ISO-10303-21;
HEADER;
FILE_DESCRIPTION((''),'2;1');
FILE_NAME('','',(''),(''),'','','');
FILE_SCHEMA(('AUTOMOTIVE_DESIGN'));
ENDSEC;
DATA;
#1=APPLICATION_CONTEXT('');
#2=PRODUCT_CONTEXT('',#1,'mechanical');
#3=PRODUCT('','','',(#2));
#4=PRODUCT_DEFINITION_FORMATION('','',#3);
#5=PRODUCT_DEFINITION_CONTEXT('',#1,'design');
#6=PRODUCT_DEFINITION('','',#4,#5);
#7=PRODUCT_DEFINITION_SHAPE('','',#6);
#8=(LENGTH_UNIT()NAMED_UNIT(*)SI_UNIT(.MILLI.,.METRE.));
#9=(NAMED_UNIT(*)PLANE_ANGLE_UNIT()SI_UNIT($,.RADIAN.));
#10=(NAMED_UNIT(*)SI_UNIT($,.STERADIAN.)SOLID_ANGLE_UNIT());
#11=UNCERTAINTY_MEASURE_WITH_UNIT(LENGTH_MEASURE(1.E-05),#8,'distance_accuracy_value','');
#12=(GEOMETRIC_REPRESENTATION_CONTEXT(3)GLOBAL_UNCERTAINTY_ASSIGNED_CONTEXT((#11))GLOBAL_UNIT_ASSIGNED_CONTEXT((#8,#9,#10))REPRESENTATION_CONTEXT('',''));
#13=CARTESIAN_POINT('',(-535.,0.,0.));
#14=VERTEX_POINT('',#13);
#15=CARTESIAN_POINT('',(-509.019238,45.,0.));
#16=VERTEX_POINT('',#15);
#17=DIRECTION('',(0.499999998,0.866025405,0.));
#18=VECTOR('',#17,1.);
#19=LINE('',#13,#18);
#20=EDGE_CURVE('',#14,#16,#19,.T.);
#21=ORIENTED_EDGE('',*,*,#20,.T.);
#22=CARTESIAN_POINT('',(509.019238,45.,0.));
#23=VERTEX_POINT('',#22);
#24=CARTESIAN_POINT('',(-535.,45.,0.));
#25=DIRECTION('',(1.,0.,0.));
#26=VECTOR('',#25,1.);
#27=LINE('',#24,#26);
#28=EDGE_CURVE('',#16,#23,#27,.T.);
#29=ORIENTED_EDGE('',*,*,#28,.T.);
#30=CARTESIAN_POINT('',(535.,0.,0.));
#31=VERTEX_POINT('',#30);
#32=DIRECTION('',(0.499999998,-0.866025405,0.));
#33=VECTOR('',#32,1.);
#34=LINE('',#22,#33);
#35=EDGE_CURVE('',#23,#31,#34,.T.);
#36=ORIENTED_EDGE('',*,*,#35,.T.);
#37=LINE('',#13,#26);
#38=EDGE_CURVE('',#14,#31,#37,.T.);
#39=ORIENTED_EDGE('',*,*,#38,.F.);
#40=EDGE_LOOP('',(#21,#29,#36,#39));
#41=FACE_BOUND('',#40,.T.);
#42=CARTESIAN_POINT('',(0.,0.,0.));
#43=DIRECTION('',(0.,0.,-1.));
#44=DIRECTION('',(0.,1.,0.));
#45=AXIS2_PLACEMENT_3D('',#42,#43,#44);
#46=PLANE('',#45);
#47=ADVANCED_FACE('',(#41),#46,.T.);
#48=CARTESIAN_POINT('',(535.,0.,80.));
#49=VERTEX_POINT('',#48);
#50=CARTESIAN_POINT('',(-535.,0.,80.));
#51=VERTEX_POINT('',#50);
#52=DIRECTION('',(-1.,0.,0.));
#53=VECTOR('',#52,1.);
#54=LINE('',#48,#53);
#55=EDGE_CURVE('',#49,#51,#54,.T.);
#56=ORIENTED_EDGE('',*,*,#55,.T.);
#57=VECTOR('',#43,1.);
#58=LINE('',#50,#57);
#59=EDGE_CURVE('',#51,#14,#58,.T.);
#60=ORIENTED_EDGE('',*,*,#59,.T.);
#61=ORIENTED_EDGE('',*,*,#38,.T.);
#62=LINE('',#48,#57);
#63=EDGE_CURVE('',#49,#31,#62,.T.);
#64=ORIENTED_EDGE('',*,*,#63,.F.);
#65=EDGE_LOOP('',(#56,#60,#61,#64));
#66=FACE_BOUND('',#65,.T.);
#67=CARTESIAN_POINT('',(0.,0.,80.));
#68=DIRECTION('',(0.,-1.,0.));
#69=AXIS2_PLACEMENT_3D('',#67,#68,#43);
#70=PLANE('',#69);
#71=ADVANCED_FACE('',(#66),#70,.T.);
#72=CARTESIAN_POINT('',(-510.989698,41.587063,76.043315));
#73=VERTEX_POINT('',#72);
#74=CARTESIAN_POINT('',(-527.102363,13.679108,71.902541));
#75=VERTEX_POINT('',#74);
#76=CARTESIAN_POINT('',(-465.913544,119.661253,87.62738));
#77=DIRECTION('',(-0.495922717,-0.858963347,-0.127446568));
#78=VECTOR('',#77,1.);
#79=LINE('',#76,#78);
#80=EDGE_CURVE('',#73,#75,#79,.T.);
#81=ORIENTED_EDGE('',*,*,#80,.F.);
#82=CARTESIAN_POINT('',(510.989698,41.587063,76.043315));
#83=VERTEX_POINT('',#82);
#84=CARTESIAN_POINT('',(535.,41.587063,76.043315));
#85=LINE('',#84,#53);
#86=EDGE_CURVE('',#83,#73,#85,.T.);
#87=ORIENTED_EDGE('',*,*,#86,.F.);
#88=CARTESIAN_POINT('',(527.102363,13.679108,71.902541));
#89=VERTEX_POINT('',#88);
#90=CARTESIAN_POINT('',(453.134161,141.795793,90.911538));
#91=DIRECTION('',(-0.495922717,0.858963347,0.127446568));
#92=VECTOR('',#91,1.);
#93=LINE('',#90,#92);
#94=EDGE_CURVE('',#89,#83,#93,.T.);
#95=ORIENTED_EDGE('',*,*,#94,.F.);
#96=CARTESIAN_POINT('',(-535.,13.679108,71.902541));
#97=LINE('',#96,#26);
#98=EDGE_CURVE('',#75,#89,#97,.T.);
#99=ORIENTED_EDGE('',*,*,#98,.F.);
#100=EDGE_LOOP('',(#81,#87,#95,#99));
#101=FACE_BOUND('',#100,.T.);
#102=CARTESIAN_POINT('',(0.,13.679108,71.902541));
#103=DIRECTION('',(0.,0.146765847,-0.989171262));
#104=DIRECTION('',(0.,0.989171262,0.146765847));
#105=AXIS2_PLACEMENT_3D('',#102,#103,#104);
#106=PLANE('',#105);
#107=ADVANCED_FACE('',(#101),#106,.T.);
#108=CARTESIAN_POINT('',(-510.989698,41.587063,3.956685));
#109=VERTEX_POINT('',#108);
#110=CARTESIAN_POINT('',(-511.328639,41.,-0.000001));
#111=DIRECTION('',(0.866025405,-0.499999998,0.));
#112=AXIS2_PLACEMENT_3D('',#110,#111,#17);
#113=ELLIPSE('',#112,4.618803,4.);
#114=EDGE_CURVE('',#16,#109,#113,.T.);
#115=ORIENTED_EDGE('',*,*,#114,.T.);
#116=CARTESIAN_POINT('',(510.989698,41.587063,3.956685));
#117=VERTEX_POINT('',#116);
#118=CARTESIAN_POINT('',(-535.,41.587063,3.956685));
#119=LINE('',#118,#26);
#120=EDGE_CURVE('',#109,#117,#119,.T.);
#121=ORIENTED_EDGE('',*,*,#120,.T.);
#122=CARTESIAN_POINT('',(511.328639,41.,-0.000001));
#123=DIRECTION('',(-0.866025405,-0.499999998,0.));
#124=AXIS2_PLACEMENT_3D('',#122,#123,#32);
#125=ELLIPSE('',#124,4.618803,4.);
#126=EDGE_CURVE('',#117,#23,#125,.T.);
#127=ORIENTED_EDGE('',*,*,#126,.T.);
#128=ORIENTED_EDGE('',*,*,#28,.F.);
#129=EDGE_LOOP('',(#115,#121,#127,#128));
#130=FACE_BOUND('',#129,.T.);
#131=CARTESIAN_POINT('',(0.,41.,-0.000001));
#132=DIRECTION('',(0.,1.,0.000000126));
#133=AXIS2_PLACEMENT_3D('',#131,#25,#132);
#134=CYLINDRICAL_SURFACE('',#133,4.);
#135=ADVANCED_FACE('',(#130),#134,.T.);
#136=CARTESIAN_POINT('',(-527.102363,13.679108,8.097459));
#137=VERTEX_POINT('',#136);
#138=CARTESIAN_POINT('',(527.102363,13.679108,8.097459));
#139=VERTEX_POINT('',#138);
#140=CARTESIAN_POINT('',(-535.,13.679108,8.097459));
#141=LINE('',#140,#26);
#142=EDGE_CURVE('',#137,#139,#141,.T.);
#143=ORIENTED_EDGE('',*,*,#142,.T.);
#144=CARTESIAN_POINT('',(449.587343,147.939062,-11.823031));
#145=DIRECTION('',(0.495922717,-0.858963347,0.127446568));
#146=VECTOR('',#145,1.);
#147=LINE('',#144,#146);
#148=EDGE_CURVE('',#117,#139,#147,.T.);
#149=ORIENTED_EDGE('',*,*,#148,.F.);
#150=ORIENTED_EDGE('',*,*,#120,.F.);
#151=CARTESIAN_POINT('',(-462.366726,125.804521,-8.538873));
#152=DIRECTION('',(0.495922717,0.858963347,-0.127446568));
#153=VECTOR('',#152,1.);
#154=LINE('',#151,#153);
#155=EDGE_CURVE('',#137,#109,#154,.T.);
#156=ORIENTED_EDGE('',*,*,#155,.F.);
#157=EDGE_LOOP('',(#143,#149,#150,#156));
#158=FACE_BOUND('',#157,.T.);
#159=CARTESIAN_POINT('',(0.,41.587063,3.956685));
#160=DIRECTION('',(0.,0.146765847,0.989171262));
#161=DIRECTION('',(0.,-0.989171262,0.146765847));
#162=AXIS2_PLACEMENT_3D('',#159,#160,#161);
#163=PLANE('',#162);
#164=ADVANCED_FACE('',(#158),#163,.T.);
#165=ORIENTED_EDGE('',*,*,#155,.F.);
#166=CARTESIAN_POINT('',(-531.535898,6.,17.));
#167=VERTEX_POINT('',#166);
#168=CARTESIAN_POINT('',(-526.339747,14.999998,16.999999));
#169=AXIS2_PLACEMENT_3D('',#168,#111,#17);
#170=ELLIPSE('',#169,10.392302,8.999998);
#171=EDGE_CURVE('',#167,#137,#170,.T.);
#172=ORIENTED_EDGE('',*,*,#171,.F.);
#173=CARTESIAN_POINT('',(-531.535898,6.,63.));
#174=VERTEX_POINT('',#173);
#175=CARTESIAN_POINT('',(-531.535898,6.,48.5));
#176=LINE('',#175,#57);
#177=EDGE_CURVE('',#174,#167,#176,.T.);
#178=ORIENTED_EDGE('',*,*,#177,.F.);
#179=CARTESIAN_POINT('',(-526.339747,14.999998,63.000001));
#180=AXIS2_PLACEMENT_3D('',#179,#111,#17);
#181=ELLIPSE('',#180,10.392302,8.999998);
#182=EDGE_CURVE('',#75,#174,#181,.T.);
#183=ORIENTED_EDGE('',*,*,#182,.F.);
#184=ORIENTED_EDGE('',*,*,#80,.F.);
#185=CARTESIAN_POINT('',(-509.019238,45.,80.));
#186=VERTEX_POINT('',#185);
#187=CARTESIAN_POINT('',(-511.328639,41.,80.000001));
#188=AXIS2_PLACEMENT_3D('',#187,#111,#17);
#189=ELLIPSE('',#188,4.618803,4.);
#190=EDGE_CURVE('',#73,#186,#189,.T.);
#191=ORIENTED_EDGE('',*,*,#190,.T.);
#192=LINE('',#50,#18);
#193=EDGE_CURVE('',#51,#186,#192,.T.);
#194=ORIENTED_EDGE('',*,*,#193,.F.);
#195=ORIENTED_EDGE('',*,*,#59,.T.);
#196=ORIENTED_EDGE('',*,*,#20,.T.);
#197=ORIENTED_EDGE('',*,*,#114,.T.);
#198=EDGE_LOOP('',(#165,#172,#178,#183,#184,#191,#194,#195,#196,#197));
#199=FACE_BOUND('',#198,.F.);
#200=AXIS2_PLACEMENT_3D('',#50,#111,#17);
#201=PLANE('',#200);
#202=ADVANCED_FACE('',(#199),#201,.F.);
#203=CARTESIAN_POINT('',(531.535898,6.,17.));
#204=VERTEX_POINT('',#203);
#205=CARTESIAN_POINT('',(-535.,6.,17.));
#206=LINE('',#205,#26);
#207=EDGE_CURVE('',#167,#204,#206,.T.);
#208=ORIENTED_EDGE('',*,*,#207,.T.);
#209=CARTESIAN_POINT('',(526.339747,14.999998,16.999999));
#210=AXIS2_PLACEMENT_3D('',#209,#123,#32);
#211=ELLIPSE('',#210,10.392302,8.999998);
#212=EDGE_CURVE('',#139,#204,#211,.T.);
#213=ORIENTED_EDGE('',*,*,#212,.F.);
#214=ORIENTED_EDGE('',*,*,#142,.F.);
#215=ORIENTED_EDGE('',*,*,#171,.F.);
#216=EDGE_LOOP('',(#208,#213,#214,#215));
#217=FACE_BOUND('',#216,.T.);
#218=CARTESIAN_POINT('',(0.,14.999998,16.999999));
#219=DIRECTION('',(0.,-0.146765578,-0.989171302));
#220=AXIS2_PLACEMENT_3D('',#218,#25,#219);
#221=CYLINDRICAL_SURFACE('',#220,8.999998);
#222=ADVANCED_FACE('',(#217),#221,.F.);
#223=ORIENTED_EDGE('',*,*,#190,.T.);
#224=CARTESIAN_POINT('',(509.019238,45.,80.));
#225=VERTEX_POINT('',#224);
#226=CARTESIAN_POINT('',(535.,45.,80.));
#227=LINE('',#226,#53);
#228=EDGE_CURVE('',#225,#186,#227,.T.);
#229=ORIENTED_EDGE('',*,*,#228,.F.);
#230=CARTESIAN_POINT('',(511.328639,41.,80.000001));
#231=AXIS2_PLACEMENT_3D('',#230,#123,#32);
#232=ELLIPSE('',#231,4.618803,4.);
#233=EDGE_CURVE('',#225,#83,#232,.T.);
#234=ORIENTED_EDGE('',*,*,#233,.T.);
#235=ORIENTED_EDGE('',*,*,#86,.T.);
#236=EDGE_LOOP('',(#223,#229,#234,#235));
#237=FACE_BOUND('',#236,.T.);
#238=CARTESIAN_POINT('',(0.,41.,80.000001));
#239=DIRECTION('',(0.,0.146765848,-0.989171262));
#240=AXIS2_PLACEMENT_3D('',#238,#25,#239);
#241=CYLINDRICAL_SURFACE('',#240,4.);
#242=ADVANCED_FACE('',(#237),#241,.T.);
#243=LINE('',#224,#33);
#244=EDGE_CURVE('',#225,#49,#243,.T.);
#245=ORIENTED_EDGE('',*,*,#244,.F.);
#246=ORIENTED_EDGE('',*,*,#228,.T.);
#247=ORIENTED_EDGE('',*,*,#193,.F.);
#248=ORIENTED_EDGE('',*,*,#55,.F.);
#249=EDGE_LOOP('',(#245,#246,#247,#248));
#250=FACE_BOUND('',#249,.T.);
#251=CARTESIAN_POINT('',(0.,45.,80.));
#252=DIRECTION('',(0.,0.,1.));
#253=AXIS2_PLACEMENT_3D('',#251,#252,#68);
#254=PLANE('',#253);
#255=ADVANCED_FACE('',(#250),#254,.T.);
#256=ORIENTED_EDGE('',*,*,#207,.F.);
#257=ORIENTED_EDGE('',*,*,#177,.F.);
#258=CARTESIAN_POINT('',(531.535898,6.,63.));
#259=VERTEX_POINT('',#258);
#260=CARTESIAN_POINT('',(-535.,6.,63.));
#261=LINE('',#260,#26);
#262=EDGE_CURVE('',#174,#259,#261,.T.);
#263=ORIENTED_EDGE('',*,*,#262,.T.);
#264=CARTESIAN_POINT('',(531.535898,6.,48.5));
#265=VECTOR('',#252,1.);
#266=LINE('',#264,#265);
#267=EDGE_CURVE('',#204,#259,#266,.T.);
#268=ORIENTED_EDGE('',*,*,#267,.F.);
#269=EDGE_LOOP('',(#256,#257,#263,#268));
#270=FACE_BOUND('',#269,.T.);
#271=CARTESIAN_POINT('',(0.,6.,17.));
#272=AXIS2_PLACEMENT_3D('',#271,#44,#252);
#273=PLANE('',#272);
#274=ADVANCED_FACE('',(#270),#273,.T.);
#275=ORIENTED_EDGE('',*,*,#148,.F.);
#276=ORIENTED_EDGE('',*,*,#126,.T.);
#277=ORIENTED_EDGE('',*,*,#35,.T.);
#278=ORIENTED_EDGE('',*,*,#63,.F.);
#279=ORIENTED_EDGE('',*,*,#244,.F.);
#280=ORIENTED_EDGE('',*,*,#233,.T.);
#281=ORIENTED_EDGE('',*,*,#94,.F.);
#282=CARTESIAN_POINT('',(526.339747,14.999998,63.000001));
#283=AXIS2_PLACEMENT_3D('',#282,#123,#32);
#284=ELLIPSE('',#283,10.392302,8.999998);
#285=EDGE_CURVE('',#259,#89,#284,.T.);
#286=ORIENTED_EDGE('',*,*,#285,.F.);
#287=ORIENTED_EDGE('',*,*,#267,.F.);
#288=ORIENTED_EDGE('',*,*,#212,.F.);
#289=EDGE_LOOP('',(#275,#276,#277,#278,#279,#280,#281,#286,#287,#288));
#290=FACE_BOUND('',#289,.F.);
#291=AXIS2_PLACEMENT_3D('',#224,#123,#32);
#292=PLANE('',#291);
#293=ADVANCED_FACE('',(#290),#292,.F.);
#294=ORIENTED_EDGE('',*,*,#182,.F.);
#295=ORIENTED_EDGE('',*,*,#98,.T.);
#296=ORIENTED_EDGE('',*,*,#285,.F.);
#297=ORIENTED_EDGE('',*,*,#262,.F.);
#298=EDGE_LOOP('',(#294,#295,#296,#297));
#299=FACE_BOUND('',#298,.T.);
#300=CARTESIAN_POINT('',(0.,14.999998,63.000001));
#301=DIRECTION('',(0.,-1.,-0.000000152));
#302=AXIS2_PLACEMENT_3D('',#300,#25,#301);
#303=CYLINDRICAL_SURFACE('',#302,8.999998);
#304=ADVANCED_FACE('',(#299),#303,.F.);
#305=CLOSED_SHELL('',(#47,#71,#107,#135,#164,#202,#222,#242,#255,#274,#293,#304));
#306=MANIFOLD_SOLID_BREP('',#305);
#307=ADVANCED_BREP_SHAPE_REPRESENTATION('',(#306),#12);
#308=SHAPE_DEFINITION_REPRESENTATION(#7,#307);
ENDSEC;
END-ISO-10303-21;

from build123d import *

# Parameters (mm, degrees)
F2_DEPTH = 535
F4_DEPTH = 80


with BuildPart() as f2:
    # F1 (on Right) → F2 (new body, symmetric)
    with BuildSketch(Plane.YZ):
        with BuildLine():
            Line((0, 80), (0, 40))
            Line((0, 40), (6, 40))
            Line((6, 40), (6, 63))
            ThreePointArc((6, 63), (8.185015, 68.878434), (13.679108, 71.902541))
            Line((13.679108, 71.902541), (41.587063, 76.043315))
            ThreePointArc((41.587063, 76.043315), (44.028882, 77.387363), (45, 80))
            Line((45, 80), (0, 80))
        make_face()
        with BuildLine():
            Line((6, 40), (0, 40))
            Line((0, 40), (0, 0))
            Line((0, 0), (45, 0))
            ThreePointArc((45, 0), (44.028882, 2.612637), (41.587063, 3.956685))
            Line((41.587063, 3.956685), (13.679108, 8.097459))
            ThreePointArc((13.679108, 8.097459), (8.185015, 11.121566), (6, 17))
            Line((6, 17), (6, 40))
        make_face()
    extrude(amount=F2_DEPTH, both=True)

    # F3 (on face) → F4 (cut, through all)
    with BuildSketch(Plane.XY.offset(80)):
        Polygon((-535, 45), (-535, 0), (-509.019238, 45), align=None)
        Polygon((535, 45), (509.019238, 45), (535, 0), align=None)
    extrude(amount=-F4_DEPTH, mode=Mode.SUBTRACT)


solid = f2.part
